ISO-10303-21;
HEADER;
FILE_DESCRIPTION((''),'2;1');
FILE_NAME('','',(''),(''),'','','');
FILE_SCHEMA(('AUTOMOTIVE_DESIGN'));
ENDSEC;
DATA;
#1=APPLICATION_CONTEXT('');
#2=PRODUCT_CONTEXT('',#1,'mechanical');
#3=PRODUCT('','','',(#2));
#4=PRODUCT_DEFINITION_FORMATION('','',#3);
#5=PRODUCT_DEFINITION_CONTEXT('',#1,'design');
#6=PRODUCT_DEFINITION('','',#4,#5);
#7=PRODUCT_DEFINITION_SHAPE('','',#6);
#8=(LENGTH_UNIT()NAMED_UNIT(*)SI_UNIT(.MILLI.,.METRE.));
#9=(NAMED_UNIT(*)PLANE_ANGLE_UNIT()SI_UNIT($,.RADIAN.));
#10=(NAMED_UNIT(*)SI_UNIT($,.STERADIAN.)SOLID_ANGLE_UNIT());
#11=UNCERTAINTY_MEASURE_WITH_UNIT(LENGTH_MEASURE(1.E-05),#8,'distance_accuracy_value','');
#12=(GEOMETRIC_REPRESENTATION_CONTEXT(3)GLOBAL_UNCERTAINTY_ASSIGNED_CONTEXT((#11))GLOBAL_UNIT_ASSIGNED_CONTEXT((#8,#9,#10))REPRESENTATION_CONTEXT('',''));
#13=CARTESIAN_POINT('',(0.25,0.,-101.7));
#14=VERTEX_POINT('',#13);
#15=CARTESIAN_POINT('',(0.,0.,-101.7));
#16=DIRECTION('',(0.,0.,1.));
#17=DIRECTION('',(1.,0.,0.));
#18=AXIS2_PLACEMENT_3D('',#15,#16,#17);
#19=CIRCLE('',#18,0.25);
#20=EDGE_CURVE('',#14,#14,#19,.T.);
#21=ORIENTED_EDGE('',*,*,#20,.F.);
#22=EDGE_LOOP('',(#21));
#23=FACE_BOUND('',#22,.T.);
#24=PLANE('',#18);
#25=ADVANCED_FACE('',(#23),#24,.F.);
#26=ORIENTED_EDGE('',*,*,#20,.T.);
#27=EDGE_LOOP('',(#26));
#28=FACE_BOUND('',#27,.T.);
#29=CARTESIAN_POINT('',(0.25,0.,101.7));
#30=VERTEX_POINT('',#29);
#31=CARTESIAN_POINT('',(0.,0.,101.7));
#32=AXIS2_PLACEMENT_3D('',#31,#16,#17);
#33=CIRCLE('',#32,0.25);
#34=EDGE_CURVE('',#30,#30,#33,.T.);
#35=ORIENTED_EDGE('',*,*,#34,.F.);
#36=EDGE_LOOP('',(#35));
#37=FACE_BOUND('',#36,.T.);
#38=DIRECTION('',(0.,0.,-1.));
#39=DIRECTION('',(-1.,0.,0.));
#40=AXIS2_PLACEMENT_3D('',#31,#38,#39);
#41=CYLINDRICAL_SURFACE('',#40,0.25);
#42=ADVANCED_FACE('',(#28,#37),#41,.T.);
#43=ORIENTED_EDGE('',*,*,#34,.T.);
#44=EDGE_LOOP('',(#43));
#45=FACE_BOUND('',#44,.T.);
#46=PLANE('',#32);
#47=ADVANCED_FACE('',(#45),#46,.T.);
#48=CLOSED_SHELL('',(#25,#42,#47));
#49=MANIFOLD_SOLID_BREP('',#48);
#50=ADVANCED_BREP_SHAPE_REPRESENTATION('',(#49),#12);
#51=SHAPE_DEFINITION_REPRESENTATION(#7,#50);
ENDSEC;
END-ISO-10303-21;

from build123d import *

# Parameters (mm, degrees)
SKETCH1_R           = 0.25
BOSS_EXTRUDE1_DEPTH = 101.7


with BuildPart() as part:
    # Sketch1 → Boss-Extrude1 (new body, symmetric)
    with BuildSketch(Plane.XY):
        Circle(SKETCH1_R)
    extrude(amount=BOSS_EXTRUDE1_DEPTH, both=True)


solid = part.part
